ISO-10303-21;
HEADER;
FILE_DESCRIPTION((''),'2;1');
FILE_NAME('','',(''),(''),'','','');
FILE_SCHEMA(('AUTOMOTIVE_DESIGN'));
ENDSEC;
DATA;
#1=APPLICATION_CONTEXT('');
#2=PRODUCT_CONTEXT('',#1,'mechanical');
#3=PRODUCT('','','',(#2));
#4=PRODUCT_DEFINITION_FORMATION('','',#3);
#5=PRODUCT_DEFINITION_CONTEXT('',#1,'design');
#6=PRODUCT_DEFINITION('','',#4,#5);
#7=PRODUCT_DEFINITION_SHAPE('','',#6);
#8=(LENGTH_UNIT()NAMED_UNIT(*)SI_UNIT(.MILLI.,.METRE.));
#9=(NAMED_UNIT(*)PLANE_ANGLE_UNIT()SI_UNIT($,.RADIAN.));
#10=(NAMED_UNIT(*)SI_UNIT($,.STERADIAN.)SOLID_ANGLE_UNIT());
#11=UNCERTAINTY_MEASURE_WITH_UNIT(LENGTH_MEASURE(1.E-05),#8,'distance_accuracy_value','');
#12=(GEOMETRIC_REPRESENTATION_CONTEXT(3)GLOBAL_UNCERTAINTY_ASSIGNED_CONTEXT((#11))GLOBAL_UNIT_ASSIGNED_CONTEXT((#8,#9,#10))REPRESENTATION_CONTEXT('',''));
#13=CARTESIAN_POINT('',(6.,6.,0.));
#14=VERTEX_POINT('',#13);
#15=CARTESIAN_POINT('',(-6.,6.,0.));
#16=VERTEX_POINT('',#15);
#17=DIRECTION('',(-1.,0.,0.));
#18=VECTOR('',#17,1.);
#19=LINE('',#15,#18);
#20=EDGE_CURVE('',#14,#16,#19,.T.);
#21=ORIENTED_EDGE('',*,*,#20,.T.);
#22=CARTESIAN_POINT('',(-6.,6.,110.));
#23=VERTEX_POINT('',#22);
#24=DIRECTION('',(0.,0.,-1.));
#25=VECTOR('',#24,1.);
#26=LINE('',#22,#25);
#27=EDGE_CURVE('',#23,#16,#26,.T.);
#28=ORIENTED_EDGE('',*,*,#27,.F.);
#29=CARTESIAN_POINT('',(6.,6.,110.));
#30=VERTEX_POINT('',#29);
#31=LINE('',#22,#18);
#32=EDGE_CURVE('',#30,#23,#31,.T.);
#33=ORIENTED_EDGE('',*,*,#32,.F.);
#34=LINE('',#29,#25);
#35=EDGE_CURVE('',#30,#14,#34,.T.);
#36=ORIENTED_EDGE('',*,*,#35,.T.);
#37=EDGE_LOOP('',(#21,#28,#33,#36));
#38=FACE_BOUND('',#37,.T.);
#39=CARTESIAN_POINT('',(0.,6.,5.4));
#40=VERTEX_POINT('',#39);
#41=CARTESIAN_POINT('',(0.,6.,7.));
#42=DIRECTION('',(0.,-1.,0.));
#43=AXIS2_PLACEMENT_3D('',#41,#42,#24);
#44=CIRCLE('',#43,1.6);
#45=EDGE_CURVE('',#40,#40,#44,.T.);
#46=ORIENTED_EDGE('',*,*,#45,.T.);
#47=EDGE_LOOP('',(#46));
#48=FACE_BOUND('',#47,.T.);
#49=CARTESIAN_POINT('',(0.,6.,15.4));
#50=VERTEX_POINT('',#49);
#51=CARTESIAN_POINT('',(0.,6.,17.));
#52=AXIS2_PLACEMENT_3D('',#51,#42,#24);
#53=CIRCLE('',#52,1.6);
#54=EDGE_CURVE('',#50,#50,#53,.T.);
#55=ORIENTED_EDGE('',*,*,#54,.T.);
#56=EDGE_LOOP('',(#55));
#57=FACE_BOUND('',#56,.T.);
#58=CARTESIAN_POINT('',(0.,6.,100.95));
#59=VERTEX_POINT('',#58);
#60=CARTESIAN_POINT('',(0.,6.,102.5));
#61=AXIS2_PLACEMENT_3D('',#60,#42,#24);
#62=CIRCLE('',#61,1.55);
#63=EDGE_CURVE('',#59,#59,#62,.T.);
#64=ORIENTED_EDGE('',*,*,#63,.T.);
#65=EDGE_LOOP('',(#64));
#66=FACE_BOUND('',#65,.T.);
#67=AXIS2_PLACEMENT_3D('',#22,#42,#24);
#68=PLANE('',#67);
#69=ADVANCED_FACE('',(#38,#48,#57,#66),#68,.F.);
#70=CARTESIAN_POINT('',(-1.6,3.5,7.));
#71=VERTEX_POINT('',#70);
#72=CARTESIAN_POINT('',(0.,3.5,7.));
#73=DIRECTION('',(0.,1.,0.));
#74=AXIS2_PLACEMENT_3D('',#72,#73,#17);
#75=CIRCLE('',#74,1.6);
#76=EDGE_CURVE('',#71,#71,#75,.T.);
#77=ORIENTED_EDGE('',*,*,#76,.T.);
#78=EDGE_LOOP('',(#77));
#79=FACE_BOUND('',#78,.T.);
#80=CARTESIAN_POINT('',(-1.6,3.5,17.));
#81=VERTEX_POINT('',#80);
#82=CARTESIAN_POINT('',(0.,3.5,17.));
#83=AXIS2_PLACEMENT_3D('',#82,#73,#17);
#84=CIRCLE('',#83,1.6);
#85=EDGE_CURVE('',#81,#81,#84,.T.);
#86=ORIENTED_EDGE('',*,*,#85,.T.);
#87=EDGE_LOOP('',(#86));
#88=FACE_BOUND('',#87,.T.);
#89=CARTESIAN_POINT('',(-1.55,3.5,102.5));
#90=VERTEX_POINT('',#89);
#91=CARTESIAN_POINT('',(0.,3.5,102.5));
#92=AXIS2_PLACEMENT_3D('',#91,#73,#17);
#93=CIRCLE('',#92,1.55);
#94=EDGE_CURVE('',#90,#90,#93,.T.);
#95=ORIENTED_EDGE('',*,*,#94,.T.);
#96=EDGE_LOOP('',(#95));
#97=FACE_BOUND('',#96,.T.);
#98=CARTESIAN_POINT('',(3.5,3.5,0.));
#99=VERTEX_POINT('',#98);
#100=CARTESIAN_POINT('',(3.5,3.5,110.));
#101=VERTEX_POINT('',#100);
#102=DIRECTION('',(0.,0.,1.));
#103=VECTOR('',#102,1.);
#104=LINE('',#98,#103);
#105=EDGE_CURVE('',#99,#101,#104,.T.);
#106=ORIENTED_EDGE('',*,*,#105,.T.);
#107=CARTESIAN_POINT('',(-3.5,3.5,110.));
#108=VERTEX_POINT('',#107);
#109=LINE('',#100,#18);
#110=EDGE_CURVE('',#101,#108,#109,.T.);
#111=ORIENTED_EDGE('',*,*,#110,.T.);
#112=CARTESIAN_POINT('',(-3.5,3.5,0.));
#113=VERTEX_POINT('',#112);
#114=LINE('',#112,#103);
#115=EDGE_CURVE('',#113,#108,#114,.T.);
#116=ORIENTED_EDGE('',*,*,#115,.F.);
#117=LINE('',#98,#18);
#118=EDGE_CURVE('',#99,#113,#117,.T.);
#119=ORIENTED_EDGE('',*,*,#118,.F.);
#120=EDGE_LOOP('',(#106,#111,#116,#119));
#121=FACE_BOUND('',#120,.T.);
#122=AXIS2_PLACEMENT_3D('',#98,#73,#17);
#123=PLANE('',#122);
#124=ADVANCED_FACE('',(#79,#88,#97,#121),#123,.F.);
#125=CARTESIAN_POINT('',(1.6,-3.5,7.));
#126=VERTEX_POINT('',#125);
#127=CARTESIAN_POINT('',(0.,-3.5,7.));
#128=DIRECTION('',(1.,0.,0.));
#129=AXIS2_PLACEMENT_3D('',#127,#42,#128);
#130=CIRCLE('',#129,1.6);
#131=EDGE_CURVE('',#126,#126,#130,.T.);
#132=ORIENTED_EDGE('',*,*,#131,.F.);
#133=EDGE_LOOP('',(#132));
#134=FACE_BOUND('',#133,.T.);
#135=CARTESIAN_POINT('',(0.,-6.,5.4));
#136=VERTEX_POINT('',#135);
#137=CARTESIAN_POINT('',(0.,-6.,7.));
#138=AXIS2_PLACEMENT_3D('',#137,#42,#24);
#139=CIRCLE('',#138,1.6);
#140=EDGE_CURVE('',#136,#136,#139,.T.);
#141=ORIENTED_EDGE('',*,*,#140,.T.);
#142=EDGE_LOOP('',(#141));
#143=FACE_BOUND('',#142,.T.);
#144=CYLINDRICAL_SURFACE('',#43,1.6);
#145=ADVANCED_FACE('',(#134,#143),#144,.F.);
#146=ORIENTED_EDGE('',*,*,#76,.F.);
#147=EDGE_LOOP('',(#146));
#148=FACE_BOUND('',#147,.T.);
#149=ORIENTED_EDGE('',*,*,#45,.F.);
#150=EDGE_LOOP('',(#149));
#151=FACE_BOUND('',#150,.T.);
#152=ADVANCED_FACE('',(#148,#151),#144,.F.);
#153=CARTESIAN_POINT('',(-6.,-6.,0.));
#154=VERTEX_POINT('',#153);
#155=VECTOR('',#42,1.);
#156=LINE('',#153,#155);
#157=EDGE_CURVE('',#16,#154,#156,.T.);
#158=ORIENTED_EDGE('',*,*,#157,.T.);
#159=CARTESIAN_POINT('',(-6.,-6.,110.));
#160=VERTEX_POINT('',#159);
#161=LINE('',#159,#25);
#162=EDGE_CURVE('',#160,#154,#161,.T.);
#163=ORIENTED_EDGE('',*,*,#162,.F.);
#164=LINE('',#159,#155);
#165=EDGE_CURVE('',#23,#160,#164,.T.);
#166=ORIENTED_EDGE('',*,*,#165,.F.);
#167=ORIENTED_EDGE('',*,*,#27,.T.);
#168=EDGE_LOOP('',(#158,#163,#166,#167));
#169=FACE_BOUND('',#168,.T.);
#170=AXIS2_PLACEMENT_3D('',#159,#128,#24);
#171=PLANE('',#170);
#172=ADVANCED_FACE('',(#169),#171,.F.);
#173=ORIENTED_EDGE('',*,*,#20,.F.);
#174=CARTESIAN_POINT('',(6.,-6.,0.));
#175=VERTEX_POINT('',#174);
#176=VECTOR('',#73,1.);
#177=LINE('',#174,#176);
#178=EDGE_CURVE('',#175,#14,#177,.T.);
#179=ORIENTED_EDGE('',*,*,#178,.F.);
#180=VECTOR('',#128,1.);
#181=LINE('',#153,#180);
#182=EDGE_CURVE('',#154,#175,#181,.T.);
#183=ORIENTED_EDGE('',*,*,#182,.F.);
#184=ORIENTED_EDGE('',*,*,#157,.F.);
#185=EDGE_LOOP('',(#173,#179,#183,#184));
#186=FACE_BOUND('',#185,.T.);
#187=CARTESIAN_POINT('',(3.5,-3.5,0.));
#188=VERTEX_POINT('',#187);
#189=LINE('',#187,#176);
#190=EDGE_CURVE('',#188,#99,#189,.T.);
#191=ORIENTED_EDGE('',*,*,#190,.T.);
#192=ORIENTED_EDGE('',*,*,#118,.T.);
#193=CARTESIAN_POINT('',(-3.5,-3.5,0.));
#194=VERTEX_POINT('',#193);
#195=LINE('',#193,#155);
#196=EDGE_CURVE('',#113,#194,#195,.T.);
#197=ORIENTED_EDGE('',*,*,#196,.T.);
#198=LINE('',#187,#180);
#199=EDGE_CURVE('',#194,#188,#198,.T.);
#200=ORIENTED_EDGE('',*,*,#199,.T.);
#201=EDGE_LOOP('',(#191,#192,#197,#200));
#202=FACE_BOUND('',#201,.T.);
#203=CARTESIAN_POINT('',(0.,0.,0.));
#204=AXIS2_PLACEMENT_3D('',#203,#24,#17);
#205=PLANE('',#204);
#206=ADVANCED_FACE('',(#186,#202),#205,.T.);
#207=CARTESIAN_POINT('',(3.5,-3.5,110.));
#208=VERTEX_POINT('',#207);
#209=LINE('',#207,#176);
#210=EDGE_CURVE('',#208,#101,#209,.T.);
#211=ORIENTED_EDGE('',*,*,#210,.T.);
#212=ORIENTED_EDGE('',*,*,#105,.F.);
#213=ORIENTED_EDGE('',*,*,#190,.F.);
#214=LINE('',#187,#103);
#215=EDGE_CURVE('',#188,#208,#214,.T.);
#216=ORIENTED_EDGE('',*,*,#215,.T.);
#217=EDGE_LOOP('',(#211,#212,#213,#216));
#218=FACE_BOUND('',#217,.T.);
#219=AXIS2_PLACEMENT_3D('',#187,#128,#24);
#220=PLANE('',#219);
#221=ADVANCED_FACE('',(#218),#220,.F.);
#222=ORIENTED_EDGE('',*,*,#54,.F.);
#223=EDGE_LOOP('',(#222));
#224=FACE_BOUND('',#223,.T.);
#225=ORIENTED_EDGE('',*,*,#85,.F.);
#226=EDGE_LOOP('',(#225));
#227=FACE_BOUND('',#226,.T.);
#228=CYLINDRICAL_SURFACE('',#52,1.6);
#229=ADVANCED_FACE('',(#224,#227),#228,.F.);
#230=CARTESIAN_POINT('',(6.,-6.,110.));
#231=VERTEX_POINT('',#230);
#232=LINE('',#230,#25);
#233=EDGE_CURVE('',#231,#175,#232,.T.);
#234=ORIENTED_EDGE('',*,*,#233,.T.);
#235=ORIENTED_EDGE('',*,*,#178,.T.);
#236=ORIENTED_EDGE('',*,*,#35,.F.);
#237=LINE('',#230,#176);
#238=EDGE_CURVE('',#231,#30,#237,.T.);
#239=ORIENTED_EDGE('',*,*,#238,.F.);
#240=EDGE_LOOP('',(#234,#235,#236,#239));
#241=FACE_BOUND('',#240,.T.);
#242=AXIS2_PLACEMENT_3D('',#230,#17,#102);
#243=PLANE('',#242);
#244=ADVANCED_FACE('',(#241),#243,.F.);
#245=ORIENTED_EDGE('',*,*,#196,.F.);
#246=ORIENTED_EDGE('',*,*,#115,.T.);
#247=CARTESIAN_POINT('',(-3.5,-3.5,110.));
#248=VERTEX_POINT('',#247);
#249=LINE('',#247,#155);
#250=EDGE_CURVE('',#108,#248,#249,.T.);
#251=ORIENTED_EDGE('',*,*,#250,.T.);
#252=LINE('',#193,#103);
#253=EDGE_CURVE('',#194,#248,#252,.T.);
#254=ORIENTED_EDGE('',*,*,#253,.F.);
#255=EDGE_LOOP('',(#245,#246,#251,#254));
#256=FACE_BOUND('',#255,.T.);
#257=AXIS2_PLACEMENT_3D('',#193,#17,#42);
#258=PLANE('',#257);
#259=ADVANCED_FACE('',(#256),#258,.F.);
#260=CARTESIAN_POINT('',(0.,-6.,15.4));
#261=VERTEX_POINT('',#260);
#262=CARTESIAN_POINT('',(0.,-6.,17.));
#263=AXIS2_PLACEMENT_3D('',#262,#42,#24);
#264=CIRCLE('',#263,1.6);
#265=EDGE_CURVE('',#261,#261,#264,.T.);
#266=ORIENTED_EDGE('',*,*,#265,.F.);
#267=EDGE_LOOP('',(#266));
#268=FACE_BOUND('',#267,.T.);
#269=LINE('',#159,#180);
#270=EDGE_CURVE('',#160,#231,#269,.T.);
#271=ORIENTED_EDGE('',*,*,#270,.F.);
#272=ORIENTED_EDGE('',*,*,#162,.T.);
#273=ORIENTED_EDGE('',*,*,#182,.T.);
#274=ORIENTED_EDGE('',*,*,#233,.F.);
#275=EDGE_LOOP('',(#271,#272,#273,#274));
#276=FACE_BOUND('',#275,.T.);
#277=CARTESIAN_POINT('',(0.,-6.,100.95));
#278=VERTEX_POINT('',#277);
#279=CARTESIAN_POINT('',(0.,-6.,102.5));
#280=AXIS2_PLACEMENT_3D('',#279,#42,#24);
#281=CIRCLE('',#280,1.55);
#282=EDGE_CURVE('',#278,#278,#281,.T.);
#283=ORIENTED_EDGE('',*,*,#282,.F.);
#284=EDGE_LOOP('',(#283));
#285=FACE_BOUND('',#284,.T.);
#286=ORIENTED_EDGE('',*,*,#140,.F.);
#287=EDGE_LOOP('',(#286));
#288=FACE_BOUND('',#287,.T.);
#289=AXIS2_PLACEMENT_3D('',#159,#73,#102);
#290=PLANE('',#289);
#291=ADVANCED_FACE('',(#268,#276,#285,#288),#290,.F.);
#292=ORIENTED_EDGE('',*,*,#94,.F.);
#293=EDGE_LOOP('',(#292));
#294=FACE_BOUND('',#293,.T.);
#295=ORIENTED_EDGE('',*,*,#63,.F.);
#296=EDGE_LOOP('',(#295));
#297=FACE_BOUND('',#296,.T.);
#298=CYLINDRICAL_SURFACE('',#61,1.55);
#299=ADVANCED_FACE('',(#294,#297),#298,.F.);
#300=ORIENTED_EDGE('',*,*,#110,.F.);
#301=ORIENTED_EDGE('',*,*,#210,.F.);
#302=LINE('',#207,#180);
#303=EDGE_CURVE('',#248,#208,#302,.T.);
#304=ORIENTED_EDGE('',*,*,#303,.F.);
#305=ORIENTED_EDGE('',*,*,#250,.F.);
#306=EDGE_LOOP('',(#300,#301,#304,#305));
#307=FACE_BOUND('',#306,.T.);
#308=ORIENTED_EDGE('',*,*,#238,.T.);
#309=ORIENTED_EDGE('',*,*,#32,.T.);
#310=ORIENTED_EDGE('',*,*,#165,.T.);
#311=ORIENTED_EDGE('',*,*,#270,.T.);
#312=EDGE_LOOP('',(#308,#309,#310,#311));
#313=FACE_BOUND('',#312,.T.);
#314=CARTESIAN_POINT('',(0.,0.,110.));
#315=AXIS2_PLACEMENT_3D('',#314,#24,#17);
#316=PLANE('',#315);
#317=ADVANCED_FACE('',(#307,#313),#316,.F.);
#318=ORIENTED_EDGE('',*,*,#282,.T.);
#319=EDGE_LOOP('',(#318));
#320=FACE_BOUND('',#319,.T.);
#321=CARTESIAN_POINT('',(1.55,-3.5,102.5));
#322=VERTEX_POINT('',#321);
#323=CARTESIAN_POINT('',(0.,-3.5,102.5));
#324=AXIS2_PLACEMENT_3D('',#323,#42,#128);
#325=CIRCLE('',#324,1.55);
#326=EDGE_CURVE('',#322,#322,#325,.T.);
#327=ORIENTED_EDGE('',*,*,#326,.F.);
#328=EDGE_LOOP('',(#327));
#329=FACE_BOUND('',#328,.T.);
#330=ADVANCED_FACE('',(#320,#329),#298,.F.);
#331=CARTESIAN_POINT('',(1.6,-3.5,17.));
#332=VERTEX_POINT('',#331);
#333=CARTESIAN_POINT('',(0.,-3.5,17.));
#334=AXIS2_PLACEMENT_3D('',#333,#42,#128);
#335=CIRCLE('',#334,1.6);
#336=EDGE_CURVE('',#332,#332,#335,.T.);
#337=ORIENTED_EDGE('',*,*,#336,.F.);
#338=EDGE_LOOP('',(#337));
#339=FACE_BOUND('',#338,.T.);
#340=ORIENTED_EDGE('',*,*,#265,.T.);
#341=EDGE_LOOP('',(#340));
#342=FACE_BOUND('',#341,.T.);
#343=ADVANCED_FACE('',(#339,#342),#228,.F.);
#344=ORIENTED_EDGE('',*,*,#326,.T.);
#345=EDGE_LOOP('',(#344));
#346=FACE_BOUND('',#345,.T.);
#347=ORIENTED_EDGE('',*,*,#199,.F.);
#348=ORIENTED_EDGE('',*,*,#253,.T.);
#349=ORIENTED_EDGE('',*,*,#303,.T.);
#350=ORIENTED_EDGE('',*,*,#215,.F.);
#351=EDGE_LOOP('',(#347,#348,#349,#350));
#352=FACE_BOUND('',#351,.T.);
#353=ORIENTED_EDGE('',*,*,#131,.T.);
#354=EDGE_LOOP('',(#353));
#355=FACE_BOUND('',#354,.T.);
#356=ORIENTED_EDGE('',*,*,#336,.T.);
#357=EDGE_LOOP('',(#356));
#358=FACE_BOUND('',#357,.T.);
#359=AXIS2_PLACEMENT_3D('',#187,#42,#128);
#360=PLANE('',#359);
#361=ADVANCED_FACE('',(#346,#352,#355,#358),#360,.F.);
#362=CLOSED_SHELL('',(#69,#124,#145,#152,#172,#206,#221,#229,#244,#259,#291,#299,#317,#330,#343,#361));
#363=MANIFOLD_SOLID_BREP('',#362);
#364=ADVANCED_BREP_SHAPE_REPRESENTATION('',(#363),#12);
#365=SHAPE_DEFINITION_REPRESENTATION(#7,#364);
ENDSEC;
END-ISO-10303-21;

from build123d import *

# Parameters (mm, degrees)
SKETCH_1_W          = 12
SKETCH_1_H          = 12
EXTRUDE_1_DEPTH     = 110
SKETCH_2_W          = 7
SKETCH_2_H          = 7
CUT_EXTRUDE_1_DEPTH = 111.326787318
SKETCH_3_R          = 1.6
SKETCH_3_R_2        = 1.55
CUT_EXTRUDE_2_DEPTH = 111.815161418


with BuildPart() as part:
    # 草图1 → 凸台-拉伸1 (new body)
    with BuildSketch(Plane.XY):
        Rectangle(SKETCH_1_W, SKETCH_1_H)
    extrude(amount=EXTRUDE_1_DEPTH)

    # 草图2 → 切除-拉伸1 (cut, through all)
    with BuildSketch(Plane.XY.offset(110)):
        Rectangle(SKETCH_2_W, SKETCH_2_H)
    extrude(amount=-CUT_EXTRUDE_1_DEPTH, mode=Mode.SUBTRACT)

    # 草图3 → 切除-拉伸2 (cut, through all)
    with BuildSketch(Plane.XZ.offset(6)):
        with Locations(Location((0, 7, 0), (0, 0, 270))):
            Circle(SKETCH_3_R)
        with Locations(Location((0, 17, 0), (0, 0, 270))):
            Circle(SKETCH_3_R)
        with Locations(Location((0, 102.5, 0), (0, 0, 270))):
            Circle(SKETCH_3_R_2)
    extrude(amount=-CUT_EXTRUDE_2_DEPTH, mode=Mode.SUBTRACT)


solid = part.part
